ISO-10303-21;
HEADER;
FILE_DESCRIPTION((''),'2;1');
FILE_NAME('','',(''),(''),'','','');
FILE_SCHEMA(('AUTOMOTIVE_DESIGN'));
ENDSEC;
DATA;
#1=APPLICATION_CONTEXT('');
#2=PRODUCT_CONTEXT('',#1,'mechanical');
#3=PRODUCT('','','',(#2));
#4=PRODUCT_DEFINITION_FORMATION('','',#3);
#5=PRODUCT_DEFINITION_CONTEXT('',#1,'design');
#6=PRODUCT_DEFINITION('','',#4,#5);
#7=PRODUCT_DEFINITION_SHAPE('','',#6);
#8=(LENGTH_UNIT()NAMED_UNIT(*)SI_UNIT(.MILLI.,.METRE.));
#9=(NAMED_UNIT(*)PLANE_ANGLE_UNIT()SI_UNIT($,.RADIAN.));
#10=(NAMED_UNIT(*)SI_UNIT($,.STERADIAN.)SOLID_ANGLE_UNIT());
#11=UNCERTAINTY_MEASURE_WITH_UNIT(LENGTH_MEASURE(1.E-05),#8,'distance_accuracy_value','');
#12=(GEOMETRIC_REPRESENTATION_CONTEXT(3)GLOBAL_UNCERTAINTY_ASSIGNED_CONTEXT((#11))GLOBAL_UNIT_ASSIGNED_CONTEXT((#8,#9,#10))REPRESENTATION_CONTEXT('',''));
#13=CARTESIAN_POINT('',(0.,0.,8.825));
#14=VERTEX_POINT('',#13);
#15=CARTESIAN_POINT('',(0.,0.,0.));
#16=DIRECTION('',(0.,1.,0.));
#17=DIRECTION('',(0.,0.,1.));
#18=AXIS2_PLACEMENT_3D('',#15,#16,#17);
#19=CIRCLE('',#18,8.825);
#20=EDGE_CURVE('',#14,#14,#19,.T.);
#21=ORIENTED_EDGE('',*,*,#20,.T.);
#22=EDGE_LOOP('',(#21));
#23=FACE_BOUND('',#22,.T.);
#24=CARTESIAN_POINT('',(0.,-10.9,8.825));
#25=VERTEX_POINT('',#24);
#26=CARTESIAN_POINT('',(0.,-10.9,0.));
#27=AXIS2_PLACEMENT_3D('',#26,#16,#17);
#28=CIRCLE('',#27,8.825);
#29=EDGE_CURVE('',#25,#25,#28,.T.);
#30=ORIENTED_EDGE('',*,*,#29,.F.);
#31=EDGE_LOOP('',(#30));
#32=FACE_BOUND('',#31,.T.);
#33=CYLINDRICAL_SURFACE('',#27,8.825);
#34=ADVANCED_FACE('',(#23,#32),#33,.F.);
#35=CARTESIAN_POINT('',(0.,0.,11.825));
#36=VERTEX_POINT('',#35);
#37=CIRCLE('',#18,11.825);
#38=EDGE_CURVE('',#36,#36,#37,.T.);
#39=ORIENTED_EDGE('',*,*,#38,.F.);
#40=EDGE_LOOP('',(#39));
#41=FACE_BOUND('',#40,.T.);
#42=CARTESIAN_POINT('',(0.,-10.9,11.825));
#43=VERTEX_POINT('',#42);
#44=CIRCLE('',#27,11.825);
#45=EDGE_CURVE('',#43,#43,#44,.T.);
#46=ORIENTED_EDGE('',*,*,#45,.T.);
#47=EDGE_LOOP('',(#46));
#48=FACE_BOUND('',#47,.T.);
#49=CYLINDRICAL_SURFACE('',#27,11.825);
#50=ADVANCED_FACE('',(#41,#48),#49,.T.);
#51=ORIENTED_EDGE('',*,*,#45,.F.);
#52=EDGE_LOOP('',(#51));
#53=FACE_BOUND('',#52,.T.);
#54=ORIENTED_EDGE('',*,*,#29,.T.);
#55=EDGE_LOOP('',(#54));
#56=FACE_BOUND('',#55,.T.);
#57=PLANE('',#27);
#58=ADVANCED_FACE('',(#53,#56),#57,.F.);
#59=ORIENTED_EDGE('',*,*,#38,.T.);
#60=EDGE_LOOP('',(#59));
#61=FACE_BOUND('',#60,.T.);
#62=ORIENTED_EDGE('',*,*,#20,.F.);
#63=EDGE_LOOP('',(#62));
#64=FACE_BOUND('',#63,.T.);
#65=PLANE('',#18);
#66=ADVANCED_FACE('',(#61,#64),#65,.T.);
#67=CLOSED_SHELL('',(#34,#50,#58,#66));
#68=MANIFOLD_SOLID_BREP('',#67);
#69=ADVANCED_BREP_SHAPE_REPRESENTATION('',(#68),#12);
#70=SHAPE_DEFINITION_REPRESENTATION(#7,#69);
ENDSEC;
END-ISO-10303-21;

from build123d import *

# Parameters (mm, degrees)
SKETCH1_R           = 11.825
SKETCH1_R_2         = 8.825
BOSS_EXTRUDE1_DEPTH = 10.9


with BuildPart() as part:
    # Sketch1 → Boss-Extrude1 (new body)
    with BuildSketch(Plane(origin=(0, 0, 0), x_dir=(1, 0, 0), z_dir=(0, 1, 0))):
        with Locations(Location((0, 0, 0), (0, 0, 270))):
            Circle(SKETCH1_R)
        with Locations(Location((0, 0, 0), (0, 0, 270))):
            Circle(SKETCH1_R_2, mode=Mode.SUBTRACT)
    extrude(amount=-BOSS_EXTRUDE1_DEPTH)


solid = part.part
